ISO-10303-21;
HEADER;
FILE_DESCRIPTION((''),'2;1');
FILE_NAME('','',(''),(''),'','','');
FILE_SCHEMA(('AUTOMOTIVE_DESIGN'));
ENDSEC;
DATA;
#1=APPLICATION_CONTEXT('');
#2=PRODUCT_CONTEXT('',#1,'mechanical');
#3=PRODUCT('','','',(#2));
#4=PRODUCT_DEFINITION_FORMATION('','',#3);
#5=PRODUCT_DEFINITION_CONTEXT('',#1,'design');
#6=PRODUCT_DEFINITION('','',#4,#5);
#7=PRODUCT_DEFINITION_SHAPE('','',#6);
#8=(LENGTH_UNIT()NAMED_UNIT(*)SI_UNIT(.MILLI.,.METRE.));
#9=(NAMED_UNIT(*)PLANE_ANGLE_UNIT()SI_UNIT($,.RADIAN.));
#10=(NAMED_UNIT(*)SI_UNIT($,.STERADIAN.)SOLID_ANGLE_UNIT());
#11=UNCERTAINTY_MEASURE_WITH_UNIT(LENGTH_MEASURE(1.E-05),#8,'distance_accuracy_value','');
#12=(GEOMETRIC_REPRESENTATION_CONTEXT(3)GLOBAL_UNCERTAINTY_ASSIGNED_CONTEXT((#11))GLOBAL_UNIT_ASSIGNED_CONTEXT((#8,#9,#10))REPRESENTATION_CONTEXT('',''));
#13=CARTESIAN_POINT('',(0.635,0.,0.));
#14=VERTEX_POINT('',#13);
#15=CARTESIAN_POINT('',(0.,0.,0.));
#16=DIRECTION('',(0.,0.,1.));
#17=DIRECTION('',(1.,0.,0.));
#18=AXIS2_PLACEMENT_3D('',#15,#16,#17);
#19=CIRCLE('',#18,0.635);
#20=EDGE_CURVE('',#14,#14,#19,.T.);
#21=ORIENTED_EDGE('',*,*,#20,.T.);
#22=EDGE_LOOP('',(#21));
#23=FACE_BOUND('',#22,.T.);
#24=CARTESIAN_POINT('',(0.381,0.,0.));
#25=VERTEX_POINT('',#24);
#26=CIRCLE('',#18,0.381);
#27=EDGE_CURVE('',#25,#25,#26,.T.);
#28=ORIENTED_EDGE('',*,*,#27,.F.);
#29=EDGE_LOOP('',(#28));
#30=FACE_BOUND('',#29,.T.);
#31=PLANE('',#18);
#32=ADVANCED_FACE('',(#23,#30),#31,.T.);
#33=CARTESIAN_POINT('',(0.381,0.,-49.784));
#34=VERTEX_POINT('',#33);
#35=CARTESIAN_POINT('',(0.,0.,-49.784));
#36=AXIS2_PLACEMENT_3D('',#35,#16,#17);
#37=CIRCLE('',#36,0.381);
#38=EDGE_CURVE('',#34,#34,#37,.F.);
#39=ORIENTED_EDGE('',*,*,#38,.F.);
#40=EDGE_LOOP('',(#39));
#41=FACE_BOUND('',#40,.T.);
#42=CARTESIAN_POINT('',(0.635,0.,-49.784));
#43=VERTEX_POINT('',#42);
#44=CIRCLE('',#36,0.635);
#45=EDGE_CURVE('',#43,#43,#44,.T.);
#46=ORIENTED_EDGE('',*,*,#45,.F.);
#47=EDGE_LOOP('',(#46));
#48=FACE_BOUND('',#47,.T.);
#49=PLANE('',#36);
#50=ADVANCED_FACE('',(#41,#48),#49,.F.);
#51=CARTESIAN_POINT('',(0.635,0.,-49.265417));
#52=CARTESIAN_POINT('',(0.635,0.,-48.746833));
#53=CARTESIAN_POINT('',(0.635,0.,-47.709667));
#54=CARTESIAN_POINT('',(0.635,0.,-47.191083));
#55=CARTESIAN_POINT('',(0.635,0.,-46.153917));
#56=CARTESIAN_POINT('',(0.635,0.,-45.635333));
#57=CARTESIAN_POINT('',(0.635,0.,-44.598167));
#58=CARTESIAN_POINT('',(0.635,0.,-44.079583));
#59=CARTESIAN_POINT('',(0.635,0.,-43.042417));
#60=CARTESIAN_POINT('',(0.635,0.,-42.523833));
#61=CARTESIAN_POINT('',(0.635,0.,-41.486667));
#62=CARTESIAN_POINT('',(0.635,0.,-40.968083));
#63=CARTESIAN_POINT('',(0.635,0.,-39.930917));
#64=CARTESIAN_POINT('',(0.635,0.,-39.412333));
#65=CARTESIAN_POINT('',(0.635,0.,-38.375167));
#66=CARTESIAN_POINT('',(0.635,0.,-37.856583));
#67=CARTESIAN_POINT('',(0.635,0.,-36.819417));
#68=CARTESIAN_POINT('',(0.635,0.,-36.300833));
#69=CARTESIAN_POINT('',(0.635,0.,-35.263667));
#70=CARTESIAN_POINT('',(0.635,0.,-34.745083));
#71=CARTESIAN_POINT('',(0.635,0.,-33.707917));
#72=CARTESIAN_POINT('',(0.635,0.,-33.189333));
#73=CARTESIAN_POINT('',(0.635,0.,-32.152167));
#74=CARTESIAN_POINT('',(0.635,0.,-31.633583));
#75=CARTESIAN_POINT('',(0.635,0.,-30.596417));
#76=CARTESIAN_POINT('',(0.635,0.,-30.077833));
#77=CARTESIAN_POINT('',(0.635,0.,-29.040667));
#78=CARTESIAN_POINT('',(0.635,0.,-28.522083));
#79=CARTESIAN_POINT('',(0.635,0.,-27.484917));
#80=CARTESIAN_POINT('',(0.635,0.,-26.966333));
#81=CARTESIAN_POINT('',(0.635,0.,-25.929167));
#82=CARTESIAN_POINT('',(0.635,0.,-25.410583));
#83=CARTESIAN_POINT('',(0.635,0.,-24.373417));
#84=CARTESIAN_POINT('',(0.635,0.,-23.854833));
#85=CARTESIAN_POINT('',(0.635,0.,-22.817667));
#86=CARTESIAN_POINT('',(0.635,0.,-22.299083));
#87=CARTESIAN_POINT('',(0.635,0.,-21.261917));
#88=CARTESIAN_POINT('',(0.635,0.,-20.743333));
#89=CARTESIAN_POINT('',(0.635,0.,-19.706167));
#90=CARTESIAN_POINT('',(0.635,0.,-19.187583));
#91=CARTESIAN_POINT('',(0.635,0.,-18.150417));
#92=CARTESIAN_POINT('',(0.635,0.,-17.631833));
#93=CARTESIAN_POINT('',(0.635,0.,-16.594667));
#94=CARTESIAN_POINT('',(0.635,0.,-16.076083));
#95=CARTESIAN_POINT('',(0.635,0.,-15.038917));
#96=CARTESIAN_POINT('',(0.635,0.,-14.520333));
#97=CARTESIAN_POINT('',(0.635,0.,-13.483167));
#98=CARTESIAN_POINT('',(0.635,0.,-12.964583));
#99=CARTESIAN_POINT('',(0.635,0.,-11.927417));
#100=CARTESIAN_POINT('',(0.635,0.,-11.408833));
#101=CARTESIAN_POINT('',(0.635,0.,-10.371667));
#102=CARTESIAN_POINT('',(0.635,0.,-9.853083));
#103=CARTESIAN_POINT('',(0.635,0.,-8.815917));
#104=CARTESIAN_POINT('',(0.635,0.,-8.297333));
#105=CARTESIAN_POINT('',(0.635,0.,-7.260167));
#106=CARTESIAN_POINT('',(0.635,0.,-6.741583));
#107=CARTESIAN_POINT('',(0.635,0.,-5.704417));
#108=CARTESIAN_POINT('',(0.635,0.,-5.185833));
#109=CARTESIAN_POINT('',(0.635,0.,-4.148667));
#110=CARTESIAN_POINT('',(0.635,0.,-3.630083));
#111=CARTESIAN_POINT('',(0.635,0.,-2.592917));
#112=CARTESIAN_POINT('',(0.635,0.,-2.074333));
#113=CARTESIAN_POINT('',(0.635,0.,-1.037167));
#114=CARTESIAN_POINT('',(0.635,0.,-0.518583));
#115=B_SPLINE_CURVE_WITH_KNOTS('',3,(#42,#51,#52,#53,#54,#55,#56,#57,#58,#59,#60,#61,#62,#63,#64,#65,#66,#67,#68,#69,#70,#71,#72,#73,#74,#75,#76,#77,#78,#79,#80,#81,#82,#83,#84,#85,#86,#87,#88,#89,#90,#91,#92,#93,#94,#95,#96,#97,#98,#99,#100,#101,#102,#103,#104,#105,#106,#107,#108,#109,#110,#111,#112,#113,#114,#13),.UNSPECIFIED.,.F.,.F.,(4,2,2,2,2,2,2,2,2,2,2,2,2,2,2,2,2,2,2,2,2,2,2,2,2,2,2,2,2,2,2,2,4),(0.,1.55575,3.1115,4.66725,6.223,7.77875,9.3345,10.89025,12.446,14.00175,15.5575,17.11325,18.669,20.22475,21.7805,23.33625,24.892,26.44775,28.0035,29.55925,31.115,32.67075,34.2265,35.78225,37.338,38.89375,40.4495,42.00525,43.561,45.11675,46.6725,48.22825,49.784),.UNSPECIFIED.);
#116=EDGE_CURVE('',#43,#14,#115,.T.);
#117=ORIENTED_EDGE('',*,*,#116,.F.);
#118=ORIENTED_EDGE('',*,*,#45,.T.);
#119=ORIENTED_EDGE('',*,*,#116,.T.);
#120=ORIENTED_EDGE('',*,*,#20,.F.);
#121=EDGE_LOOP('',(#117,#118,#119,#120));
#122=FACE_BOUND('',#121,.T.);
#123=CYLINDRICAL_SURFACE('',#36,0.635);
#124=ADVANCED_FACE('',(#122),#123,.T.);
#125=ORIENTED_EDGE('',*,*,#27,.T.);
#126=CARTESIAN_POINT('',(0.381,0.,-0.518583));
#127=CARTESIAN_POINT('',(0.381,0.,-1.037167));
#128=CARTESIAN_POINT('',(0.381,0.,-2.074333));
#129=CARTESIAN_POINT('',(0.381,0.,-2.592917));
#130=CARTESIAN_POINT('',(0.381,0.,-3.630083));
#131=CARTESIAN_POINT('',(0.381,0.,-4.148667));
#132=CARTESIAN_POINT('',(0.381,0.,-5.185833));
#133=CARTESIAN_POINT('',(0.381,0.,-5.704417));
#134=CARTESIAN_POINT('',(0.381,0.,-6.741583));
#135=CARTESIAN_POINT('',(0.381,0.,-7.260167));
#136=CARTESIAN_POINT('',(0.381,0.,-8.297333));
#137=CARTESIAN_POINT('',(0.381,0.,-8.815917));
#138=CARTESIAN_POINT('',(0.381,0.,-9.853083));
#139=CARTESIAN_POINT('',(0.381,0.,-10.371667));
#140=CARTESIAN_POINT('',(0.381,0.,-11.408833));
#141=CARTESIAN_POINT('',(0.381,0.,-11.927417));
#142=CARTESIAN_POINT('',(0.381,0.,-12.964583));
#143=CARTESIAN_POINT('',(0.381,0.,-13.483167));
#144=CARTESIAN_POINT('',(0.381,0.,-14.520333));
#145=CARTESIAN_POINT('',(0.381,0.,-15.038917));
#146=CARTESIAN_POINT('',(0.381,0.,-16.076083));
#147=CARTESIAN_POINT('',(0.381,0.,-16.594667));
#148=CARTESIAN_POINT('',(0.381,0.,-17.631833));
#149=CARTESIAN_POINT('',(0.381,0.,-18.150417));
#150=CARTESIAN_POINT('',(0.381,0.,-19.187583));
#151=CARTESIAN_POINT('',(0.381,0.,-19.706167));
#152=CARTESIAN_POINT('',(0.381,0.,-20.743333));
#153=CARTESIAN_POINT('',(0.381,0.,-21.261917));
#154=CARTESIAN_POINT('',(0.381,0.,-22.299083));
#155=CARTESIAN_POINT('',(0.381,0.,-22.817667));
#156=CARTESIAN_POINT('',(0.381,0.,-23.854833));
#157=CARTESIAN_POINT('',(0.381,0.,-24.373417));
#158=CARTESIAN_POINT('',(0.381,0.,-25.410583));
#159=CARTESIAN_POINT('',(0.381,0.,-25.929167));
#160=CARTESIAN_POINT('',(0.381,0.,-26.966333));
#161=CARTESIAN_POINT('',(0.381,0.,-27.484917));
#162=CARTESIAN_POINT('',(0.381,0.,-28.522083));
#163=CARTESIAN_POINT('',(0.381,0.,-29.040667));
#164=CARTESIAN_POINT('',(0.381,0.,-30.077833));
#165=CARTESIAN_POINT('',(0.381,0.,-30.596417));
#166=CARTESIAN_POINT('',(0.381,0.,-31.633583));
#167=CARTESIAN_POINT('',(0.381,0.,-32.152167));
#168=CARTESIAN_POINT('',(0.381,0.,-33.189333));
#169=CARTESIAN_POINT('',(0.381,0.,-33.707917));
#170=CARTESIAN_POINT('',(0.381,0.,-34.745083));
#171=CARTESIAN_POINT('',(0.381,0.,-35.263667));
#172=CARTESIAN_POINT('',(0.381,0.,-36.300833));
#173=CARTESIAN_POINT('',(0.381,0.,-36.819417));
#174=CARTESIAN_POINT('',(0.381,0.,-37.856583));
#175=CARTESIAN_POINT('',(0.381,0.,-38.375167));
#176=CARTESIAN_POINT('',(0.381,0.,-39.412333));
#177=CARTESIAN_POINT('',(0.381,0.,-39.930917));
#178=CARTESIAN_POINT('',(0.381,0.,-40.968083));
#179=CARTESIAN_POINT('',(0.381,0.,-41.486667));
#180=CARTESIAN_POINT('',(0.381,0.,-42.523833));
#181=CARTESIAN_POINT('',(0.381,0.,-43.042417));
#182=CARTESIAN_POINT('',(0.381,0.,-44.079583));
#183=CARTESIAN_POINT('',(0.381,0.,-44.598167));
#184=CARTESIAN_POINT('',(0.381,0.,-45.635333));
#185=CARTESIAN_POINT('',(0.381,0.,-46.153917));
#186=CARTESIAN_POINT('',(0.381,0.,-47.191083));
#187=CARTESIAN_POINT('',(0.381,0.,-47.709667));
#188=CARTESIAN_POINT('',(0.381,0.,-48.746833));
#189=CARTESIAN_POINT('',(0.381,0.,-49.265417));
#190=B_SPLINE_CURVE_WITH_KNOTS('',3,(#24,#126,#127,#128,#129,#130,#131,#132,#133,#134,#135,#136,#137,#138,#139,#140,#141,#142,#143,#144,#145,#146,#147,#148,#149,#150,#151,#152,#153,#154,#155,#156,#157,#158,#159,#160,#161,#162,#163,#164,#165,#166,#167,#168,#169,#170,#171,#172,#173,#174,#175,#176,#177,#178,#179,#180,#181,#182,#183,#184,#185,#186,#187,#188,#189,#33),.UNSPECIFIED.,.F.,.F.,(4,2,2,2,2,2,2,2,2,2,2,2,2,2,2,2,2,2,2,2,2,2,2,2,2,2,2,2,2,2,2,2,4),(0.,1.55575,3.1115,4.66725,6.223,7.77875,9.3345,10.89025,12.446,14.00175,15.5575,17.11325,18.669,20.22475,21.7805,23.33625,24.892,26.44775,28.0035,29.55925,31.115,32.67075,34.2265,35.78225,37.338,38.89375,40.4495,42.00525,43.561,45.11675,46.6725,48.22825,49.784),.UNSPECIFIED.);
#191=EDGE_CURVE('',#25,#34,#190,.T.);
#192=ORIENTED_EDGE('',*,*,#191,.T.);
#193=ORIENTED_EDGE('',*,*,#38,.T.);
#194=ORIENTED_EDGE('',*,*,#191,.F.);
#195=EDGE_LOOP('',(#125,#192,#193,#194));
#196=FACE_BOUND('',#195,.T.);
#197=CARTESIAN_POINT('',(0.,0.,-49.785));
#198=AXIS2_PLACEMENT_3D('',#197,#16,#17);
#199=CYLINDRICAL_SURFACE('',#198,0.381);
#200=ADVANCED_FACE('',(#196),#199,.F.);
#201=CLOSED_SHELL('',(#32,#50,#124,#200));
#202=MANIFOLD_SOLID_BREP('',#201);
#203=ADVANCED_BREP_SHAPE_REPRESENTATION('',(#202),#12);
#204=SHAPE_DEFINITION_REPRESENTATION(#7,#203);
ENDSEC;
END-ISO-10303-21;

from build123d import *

# Parameters (mm, degrees)
SKETCH1_R          = 0.635
EXTRUDE1_DEPTH     = 49.784
CUT_EXTRUDE1_REACH = 51.792
SKETCH2_R          = 0.381


with BuildPart() as part:
    # Sketch1 → Extrude1 (new body)
    with BuildSketch(Plane.XY):
        Circle(SKETCH1_R)
    extrude(amount=-EXTRUDE1_DEPTH)

    # Sketch2 → Cut-Extrude1 (cut, up to next)
    with BuildSketch(Plane.XY, mode=Mode.PRIVATE) as cut_extrude1_sk1:
        Circle(SKETCH2_R)
    cut_extrude1_tool1 = extrude(cut_extrude1_sk1.sketch, amount=-CUT_EXTRUDE1_REACH, mode=Mode.PRIVATE) & part.part
    add(cut_extrude1_tool1.solids().sort_by_distance((0, 0, 0))[0], mode=Mode.SUBTRACT)


solid = part.part
